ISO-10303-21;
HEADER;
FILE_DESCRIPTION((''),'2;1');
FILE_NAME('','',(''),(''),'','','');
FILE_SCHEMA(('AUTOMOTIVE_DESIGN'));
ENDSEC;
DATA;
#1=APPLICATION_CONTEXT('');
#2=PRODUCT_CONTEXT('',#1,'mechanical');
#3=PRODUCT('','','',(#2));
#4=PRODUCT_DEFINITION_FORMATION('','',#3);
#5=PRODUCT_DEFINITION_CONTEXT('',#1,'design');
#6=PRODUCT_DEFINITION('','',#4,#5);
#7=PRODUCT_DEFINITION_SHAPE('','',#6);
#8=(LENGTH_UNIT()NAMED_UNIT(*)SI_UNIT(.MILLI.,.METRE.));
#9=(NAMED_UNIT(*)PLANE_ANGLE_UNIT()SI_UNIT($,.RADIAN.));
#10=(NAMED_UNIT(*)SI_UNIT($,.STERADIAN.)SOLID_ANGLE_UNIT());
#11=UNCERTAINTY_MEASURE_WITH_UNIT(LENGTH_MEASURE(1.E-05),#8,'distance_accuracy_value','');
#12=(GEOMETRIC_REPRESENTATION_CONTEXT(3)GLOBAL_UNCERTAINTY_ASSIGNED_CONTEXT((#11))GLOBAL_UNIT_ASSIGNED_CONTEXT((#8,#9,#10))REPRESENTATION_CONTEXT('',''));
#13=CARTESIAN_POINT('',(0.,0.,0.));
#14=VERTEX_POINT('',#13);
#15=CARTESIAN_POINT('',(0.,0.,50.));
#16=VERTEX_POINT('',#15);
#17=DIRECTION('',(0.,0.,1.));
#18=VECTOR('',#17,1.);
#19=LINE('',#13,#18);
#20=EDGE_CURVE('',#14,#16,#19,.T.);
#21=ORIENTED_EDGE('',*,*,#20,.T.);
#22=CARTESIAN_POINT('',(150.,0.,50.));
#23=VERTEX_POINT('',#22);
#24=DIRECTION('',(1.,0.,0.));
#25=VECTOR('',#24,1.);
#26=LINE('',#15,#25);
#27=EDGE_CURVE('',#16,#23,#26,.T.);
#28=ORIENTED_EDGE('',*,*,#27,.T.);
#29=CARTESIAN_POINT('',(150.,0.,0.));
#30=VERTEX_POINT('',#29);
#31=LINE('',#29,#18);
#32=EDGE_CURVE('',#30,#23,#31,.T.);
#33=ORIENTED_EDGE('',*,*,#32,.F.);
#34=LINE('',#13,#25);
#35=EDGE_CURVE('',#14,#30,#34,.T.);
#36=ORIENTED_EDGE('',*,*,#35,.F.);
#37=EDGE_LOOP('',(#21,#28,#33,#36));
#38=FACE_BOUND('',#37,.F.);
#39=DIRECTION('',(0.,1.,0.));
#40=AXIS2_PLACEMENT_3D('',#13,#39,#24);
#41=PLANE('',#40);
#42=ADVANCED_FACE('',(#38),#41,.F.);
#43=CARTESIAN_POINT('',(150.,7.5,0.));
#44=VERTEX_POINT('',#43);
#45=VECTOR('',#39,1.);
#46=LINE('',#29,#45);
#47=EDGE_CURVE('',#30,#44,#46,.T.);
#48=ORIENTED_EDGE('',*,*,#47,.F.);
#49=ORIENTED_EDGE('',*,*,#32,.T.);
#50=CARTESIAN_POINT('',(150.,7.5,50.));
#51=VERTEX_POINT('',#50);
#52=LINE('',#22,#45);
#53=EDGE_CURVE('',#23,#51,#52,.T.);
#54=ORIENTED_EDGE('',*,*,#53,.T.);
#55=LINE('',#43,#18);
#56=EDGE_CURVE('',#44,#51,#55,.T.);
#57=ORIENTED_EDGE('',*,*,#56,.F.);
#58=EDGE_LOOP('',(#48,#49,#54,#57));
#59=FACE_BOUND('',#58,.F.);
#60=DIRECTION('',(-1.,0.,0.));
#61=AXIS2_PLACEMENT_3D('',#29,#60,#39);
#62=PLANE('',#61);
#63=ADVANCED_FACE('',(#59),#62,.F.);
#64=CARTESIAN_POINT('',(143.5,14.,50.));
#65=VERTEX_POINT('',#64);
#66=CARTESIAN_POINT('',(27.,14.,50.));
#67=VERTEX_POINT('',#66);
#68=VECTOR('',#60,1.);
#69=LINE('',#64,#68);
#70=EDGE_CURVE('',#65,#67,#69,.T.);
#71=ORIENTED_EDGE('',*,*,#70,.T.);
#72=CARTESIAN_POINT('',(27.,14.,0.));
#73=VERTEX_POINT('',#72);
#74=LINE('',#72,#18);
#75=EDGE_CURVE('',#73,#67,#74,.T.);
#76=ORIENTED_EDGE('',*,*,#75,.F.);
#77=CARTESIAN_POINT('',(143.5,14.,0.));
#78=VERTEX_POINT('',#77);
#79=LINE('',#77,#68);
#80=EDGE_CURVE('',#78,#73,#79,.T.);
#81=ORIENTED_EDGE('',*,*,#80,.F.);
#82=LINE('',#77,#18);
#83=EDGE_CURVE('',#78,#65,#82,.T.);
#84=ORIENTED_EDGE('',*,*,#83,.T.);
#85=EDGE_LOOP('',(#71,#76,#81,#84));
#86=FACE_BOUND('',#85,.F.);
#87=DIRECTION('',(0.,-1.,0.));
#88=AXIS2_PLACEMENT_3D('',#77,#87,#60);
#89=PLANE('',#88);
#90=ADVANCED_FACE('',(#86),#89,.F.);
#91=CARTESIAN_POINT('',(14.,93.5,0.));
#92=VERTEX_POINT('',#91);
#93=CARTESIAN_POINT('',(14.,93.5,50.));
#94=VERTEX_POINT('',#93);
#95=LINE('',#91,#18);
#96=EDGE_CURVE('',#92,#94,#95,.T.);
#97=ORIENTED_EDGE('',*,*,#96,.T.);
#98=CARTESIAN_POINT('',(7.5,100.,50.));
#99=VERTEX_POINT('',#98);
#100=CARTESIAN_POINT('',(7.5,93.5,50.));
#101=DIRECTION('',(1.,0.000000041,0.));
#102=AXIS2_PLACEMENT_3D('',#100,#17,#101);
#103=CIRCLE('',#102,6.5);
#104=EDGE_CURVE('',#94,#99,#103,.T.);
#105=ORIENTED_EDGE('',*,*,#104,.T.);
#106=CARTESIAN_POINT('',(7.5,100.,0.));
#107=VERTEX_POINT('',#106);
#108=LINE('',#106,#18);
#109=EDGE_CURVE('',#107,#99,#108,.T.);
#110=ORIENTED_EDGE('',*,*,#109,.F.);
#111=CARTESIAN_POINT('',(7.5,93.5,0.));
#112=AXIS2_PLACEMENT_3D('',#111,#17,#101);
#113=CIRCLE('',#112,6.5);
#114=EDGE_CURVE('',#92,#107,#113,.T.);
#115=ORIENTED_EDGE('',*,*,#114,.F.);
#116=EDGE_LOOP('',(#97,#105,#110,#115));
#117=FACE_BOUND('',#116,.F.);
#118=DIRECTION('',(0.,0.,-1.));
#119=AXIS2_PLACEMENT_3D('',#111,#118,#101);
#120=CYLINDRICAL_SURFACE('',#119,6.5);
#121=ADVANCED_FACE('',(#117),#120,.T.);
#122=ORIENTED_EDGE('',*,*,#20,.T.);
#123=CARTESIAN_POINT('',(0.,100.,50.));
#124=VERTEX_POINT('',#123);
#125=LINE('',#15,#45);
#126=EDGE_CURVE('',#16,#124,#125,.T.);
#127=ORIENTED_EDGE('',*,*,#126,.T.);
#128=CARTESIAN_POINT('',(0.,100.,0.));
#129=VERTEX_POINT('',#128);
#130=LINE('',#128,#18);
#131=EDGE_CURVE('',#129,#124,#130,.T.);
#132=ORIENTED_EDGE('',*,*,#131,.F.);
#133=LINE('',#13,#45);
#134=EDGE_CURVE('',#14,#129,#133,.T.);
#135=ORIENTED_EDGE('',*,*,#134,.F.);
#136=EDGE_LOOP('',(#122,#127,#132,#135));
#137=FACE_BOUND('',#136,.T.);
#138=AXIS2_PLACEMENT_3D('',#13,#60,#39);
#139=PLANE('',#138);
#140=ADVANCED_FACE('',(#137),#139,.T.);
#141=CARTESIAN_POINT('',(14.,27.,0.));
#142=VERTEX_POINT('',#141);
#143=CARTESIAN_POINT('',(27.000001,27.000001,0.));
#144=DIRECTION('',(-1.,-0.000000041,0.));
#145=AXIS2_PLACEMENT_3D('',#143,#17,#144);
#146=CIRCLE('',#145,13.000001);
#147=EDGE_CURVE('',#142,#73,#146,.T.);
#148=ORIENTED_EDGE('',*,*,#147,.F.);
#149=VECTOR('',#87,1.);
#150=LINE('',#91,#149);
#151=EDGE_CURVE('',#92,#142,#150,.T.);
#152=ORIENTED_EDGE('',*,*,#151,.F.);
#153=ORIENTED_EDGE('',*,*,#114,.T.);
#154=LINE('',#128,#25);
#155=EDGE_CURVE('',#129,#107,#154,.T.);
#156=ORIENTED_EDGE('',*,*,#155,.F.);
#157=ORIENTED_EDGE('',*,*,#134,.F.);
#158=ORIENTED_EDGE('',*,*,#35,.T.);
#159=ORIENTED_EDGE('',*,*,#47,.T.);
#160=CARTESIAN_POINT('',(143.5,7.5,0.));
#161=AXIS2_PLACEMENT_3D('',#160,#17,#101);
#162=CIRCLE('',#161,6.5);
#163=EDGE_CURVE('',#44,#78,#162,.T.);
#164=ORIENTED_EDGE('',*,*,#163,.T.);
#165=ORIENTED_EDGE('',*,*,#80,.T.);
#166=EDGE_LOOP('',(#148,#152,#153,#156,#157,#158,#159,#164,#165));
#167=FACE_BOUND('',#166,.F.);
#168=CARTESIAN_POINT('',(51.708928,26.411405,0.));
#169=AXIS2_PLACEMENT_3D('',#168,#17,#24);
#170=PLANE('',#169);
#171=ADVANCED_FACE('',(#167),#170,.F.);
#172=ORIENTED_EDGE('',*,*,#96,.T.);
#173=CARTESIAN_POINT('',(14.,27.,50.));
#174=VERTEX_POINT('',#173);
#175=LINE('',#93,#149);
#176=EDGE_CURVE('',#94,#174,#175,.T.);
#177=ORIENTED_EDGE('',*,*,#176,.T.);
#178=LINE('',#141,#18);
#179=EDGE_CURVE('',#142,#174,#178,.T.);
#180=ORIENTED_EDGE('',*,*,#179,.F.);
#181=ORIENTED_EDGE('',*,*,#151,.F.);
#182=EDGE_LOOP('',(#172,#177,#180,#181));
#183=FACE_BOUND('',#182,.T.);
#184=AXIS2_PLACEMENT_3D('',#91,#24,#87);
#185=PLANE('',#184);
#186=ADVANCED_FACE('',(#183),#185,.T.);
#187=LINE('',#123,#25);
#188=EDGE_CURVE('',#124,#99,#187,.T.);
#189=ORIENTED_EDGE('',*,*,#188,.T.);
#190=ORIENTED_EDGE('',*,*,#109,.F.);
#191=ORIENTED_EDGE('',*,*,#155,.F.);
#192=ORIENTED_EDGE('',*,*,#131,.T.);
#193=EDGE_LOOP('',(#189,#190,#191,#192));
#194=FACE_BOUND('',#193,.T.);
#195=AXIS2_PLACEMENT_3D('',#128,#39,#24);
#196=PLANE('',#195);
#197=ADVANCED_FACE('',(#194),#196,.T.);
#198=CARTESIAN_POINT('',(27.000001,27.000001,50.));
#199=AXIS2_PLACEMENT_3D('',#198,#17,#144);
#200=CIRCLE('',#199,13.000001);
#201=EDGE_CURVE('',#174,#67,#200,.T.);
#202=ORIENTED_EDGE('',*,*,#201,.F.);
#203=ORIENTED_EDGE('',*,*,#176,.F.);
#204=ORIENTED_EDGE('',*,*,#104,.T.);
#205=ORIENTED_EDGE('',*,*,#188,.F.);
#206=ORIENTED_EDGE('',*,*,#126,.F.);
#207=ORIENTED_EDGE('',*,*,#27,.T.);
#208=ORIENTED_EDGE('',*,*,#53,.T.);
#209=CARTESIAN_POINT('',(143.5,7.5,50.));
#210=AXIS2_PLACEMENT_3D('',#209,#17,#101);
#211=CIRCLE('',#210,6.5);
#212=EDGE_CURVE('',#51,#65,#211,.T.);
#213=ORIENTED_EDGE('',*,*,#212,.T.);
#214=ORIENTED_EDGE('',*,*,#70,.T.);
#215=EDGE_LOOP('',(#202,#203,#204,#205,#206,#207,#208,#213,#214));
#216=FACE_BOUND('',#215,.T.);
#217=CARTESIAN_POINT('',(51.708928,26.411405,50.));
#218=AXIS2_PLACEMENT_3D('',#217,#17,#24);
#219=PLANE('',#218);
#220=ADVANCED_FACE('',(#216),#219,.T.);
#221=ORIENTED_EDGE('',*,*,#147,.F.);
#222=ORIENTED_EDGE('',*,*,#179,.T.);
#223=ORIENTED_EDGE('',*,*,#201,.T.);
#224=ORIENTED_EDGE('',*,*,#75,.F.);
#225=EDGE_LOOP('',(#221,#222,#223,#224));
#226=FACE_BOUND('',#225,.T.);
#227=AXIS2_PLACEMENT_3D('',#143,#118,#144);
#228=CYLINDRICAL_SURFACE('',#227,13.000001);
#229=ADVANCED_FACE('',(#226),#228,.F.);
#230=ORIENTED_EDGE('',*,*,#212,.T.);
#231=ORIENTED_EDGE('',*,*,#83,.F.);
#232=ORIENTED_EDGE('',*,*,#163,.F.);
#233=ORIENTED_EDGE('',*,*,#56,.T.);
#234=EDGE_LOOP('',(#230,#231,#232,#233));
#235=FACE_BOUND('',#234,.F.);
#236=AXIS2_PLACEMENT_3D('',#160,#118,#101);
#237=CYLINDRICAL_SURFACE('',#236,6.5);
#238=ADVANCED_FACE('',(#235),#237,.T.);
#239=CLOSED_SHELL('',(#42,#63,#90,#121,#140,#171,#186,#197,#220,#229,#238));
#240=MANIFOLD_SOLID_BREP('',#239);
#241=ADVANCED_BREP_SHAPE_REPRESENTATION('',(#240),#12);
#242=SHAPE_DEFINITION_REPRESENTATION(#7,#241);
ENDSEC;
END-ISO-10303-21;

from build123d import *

# Parameters (mm, degrees)
EXTRUDE_DEPTH = 50


with BuildPart() as part:
    # Sketch → Extrude (new body)
    with BuildSketch(Plane.XY):
        with BuildLine():
            Line((0, 0), (150, 0))
            Line((150, 0), (150, 7.5))
            ThreePointArc((150, 7.5), (148.096194, 12.096194), (143.5, 14))
            Line((143.5, 14), (27, 14))
            ThreePointArc((14, 27), (17.807612, 17.807612), (27, 14))
            Line((14, 93.5), (14, 27))
            ThreePointArc((14, 93.5), (12.096194, 98.096194), (7.5, 100))
            Line((0, 100), (7.5, 100))
            Line((0, 0), (0, 100))
        make_face()
    extrude(amount=EXTRUDE_DEPTH)


solid = part.part
